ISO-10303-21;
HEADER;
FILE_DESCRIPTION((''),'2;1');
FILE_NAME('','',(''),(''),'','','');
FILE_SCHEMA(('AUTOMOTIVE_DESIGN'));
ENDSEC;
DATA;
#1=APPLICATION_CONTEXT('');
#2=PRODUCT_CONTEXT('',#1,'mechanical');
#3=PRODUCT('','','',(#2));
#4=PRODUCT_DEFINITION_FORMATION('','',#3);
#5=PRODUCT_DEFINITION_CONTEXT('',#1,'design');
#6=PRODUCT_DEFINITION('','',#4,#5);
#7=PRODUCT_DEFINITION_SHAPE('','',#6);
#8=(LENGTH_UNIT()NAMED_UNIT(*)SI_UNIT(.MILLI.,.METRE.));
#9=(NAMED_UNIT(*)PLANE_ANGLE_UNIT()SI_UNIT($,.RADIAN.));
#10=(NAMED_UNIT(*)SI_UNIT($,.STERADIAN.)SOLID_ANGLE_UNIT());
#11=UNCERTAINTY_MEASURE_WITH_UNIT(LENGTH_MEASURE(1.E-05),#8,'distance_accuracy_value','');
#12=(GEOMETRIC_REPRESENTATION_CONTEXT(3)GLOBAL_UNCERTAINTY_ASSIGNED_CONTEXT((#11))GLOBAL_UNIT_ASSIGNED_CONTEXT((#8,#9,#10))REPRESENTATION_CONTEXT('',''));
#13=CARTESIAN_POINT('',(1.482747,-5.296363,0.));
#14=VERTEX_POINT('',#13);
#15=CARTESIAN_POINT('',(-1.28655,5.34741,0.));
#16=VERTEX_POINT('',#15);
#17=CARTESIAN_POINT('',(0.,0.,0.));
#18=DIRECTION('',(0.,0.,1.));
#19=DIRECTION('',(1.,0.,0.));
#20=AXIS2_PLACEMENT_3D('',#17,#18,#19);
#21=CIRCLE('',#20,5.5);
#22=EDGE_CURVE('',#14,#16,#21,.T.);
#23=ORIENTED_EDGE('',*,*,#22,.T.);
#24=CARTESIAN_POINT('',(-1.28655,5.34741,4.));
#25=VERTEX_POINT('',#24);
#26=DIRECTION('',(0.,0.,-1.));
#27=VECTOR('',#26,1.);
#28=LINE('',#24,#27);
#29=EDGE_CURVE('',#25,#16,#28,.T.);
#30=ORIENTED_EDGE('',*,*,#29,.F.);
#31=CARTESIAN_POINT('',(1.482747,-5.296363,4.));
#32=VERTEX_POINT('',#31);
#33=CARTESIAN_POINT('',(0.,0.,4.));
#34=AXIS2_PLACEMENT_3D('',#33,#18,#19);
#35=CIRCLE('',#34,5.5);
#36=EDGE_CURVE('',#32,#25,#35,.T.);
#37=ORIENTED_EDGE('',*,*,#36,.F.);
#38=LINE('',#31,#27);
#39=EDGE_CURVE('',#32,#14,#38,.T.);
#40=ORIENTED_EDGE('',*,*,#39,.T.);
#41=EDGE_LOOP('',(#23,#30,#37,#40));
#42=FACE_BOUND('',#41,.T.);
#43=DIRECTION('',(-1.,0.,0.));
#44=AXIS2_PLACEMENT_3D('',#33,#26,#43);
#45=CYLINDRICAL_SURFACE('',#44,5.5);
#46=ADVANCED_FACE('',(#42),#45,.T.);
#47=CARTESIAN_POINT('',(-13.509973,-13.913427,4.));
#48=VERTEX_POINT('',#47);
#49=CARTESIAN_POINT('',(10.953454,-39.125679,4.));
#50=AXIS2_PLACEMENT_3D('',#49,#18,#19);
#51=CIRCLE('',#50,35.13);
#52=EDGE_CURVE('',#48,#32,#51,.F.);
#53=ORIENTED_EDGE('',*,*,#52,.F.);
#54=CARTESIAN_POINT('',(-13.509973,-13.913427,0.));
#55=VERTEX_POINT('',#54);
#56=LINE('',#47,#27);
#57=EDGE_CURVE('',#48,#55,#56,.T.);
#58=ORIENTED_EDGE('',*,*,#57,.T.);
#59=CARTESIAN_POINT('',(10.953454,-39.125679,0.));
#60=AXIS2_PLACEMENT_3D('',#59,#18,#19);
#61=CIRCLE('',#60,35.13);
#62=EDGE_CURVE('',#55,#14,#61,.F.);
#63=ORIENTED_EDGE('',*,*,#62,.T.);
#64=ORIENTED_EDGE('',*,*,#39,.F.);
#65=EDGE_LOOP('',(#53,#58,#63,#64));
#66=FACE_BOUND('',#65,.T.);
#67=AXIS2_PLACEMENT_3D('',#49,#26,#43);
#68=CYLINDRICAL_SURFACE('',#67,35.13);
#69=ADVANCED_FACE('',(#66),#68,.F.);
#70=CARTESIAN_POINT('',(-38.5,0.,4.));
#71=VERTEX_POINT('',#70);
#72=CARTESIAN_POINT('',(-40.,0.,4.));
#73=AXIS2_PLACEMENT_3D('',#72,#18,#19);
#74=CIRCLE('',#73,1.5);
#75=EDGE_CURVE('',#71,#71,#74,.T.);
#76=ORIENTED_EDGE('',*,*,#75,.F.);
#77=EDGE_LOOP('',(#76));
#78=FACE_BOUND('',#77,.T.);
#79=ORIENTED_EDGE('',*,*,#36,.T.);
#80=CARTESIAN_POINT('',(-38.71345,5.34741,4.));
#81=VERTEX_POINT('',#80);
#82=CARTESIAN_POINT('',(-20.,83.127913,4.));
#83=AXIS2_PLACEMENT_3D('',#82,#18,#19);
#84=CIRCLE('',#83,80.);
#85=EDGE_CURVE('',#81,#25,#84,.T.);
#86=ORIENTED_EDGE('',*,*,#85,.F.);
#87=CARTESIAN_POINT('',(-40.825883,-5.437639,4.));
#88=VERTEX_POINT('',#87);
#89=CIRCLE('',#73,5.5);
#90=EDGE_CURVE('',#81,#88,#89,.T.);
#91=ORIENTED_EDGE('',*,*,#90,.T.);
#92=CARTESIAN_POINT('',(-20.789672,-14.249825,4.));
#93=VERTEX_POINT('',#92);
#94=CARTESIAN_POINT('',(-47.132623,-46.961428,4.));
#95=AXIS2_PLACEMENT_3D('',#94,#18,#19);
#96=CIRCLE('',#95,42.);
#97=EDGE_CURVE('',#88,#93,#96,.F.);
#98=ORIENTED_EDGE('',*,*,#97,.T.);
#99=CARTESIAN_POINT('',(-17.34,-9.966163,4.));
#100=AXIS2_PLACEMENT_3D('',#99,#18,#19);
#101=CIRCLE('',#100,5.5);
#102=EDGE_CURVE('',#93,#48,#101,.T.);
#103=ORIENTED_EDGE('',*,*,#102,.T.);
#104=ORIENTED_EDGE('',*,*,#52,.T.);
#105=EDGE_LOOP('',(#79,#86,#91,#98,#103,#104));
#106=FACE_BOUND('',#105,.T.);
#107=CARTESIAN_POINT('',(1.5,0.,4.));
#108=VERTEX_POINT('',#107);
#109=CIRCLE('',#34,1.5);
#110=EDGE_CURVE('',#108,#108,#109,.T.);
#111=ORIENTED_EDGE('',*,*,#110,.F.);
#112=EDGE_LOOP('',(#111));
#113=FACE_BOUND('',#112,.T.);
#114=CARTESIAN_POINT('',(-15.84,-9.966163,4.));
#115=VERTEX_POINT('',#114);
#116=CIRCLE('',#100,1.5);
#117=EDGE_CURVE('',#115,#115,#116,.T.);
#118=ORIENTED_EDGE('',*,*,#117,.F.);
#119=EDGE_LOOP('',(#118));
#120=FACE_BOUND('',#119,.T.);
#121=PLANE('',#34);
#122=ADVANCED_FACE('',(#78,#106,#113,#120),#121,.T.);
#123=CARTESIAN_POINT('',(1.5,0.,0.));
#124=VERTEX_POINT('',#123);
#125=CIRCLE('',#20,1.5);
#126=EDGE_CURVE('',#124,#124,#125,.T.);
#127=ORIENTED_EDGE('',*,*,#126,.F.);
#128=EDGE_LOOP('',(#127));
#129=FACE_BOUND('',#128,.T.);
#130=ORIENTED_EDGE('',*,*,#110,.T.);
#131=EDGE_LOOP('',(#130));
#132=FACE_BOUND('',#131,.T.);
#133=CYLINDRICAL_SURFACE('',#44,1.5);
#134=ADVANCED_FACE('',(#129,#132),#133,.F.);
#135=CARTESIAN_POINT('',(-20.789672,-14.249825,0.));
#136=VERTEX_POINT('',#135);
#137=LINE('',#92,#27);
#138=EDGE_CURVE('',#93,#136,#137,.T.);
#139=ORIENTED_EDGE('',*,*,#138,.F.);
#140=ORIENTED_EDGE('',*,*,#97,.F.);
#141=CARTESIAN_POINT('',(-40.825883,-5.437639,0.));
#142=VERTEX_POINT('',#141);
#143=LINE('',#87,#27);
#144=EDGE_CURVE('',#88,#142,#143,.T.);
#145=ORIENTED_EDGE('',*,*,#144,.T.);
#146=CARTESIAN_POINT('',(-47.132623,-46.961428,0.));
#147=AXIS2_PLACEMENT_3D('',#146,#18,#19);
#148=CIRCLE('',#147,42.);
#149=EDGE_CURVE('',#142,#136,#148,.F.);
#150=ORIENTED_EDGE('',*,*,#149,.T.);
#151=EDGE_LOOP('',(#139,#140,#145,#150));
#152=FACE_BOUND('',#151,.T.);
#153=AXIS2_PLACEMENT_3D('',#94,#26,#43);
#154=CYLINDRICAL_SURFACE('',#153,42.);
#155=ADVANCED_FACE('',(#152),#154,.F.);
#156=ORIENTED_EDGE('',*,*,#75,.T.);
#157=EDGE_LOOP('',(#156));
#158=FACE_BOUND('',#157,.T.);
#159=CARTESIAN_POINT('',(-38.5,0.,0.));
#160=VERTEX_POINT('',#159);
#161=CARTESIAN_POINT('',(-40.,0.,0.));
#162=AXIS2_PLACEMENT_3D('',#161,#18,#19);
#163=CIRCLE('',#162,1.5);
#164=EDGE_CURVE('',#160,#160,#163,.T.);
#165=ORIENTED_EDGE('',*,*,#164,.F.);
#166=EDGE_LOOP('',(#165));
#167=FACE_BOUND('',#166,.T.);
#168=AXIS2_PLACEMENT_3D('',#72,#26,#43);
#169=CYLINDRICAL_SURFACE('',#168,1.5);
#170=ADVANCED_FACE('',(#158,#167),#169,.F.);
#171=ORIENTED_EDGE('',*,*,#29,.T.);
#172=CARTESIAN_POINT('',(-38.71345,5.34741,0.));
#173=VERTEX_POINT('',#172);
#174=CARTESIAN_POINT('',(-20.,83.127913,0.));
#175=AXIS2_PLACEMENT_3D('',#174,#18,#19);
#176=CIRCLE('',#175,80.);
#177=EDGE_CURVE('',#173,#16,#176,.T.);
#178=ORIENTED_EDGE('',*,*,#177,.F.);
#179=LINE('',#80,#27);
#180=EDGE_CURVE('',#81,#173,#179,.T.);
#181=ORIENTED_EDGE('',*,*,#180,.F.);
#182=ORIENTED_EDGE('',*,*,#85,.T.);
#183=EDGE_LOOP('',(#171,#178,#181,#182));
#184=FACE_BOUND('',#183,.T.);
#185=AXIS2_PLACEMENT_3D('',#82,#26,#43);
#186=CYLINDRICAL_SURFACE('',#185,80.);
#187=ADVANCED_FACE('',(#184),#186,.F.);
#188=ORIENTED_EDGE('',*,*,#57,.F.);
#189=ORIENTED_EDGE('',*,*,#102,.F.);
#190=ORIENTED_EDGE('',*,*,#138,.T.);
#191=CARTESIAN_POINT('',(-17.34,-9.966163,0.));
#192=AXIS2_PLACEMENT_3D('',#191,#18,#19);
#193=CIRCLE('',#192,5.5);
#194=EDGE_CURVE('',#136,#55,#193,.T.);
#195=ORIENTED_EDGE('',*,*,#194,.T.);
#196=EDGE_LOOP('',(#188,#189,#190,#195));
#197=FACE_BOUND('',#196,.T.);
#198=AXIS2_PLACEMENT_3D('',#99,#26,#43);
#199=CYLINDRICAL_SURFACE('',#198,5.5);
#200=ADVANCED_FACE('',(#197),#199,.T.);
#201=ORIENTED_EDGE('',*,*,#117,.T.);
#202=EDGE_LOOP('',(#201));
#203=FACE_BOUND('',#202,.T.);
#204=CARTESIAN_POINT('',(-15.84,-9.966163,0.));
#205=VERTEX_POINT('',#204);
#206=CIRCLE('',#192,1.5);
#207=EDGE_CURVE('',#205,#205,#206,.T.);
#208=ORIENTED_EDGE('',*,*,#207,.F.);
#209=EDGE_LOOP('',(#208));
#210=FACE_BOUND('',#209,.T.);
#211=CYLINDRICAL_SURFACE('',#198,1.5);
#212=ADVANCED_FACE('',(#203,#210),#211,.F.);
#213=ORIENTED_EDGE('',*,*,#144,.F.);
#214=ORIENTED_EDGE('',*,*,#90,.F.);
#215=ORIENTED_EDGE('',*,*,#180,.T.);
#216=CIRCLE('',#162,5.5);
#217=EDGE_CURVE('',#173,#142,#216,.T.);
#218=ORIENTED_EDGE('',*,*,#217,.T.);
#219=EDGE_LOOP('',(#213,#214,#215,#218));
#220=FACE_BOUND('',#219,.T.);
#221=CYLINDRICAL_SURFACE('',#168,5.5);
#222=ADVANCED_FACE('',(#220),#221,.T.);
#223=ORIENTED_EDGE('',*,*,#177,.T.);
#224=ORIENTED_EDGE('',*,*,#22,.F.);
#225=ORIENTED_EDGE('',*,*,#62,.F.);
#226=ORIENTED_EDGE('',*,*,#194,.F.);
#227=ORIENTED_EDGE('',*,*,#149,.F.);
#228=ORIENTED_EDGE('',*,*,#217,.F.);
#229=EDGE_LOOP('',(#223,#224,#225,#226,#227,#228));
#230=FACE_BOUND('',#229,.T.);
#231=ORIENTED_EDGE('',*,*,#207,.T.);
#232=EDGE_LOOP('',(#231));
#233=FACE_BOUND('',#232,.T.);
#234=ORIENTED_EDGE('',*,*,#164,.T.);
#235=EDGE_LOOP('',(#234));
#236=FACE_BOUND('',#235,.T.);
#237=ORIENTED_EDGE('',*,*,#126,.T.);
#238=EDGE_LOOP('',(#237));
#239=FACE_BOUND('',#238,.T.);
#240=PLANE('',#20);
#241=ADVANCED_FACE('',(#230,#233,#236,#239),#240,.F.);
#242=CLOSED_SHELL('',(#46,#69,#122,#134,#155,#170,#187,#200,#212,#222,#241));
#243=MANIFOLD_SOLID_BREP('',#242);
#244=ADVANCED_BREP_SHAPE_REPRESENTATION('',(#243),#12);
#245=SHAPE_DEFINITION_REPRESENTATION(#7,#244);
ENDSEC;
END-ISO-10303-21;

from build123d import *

# Parameters (mm, degrees)
SKETCH1_R           = 1.5
BOSS_EXTRUDE1_DEPTH = 4


with BuildPart() as part:
    # Sketch1 → Boss-Extrude1 (new body)
    with BuildSketch(Plane.XY):
        with BuildLine():
            ThreePointArc((-38.713450292, 5.347409639), (-45.397441252, 1.057179235), (-40.825882635, -5.437638998))
            ThreePointArc((-40.825882635, -5.437638998), (-30.223624193, -8.515546688), (-20.789672108, -14.24982501))
            ThreePointArc((-20.789672108, -14.24982501), (-17.086113442, -15.460299774), (-13.509973062, -13.913426824))
            ThreePointArc((-13.509973062, -13.913426824), (-6.552111329, -8.667968977), (1.482746603, -5.29636314))
            ThreePointArc((1.482746603, -5.29636314), (5.322790438, 1.384883371), (-1.286549708, 5.347409639))
            ThreePointArc((-1.286549708, 5.347409639), (-20, 3.127913483), (-38.713450292, 5.347409639))
        make_face()
        with Locations((-40, 0)):
            Circle(SKETCH1_R, mode=Mode.SUBTRACT)
        Circle(SKETCH1_R, mode=Mode.SUBTRACT)
        with Locations((-17.34, -9.966162752)):
            Circle(SKETCH1_R, mode=Mode.SUBTRACT)
    extrude(amount=BOSS_EXTRUDE1_DEPTH)


solid = part.part
